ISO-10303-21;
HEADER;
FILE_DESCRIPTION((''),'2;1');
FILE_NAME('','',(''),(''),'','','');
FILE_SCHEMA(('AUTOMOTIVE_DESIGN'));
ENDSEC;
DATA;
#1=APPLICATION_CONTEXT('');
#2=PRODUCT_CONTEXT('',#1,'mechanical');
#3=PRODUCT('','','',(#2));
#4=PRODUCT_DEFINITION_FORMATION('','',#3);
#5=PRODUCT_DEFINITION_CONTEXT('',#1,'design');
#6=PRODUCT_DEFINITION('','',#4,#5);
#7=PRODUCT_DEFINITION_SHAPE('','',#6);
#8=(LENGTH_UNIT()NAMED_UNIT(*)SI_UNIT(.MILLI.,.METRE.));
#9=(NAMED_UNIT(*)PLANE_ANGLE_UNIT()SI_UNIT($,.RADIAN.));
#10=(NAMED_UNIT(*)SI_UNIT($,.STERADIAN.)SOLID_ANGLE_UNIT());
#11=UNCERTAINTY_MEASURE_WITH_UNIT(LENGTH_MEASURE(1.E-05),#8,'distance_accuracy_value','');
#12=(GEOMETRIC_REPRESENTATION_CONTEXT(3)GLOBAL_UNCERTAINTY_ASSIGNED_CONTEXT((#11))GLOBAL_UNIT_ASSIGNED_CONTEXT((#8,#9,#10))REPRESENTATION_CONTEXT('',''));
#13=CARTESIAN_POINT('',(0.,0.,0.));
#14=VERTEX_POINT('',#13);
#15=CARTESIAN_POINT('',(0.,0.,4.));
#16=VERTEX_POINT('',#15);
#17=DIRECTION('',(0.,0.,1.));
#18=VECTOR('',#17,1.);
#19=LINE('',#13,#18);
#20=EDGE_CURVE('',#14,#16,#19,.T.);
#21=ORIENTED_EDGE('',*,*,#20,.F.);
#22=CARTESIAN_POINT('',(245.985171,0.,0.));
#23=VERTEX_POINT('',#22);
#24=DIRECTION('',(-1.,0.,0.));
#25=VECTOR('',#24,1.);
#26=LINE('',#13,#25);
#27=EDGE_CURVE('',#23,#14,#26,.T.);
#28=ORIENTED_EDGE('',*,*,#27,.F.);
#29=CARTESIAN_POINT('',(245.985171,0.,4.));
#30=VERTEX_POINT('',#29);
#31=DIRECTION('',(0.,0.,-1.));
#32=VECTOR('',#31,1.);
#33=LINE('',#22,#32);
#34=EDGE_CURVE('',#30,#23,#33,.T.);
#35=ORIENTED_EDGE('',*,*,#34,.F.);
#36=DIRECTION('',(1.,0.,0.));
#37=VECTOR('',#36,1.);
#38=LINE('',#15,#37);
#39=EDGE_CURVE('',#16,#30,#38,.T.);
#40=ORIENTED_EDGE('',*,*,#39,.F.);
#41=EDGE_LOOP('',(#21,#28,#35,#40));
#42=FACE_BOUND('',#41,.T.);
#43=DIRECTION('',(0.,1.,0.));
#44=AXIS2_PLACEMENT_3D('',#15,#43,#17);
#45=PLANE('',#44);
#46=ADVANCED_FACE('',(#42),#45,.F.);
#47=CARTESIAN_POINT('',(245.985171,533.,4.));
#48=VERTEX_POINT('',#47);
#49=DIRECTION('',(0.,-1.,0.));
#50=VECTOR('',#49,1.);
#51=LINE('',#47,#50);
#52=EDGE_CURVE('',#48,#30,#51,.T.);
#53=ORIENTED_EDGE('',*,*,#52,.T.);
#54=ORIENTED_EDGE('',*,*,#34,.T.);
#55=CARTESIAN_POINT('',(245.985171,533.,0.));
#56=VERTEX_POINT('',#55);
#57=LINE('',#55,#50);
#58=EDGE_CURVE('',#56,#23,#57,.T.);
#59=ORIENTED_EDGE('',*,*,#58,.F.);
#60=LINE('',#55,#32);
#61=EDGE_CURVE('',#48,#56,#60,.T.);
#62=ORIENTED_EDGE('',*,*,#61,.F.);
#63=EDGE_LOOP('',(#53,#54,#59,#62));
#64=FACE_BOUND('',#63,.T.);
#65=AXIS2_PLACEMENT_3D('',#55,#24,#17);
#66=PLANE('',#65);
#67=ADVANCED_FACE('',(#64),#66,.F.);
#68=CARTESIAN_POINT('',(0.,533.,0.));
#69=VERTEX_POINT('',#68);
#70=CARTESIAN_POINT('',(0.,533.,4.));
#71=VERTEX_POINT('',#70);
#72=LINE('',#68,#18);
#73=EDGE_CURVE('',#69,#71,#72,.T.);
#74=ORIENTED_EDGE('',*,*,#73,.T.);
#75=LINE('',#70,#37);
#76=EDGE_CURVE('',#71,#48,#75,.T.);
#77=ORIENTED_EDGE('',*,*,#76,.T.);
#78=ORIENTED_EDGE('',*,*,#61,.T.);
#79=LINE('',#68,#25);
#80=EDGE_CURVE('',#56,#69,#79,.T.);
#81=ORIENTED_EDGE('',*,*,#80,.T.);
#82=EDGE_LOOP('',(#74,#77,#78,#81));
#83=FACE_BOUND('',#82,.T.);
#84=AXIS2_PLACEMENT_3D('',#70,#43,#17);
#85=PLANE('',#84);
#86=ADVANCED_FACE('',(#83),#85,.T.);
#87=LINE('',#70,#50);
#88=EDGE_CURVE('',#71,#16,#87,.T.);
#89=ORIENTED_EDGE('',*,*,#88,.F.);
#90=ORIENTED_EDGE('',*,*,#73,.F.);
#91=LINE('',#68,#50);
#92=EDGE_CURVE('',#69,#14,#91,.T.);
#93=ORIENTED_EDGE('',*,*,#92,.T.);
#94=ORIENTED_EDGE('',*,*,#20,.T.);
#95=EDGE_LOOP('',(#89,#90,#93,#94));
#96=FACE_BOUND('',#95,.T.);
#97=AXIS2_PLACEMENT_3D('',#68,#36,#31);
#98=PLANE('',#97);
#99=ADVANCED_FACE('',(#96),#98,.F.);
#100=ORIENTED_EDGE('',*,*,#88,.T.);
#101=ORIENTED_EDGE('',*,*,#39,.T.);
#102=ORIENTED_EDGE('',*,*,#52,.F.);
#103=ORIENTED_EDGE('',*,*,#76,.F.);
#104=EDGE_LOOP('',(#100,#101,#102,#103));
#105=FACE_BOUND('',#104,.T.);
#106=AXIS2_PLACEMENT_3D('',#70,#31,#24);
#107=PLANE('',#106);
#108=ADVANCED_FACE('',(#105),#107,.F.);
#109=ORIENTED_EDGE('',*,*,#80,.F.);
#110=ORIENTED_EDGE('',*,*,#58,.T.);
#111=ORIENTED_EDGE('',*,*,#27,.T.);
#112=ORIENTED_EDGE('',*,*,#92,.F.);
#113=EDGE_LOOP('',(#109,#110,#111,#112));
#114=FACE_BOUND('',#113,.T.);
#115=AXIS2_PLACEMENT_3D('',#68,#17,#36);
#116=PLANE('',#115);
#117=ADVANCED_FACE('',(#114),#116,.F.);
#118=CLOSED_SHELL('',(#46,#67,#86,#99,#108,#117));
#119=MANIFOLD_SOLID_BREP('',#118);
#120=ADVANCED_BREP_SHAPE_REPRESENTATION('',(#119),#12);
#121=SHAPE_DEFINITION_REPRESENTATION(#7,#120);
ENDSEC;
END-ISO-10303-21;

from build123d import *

# Parameters (mm, degrees)
SKETCH_1_W      = 245.98517055
SKETCH_1_H      = 4
EXTRUDE_1_DEPTH = 533


with BuildPart() as part:
    # Эскиз1 → Вытянуть1 (new body)
    with BuildSketch(Plane(origin=(0, 0, 0), x_dir=(1, 0, 0), z_dir=(0, 1, 0))):
        with Locations((122.992585275, -2)):
            Rectangle(SKETCH_1_W, SKETCH_1_H)
    extrude(amount=EXTRUDE_1_DEPTH)


solid = part.part
